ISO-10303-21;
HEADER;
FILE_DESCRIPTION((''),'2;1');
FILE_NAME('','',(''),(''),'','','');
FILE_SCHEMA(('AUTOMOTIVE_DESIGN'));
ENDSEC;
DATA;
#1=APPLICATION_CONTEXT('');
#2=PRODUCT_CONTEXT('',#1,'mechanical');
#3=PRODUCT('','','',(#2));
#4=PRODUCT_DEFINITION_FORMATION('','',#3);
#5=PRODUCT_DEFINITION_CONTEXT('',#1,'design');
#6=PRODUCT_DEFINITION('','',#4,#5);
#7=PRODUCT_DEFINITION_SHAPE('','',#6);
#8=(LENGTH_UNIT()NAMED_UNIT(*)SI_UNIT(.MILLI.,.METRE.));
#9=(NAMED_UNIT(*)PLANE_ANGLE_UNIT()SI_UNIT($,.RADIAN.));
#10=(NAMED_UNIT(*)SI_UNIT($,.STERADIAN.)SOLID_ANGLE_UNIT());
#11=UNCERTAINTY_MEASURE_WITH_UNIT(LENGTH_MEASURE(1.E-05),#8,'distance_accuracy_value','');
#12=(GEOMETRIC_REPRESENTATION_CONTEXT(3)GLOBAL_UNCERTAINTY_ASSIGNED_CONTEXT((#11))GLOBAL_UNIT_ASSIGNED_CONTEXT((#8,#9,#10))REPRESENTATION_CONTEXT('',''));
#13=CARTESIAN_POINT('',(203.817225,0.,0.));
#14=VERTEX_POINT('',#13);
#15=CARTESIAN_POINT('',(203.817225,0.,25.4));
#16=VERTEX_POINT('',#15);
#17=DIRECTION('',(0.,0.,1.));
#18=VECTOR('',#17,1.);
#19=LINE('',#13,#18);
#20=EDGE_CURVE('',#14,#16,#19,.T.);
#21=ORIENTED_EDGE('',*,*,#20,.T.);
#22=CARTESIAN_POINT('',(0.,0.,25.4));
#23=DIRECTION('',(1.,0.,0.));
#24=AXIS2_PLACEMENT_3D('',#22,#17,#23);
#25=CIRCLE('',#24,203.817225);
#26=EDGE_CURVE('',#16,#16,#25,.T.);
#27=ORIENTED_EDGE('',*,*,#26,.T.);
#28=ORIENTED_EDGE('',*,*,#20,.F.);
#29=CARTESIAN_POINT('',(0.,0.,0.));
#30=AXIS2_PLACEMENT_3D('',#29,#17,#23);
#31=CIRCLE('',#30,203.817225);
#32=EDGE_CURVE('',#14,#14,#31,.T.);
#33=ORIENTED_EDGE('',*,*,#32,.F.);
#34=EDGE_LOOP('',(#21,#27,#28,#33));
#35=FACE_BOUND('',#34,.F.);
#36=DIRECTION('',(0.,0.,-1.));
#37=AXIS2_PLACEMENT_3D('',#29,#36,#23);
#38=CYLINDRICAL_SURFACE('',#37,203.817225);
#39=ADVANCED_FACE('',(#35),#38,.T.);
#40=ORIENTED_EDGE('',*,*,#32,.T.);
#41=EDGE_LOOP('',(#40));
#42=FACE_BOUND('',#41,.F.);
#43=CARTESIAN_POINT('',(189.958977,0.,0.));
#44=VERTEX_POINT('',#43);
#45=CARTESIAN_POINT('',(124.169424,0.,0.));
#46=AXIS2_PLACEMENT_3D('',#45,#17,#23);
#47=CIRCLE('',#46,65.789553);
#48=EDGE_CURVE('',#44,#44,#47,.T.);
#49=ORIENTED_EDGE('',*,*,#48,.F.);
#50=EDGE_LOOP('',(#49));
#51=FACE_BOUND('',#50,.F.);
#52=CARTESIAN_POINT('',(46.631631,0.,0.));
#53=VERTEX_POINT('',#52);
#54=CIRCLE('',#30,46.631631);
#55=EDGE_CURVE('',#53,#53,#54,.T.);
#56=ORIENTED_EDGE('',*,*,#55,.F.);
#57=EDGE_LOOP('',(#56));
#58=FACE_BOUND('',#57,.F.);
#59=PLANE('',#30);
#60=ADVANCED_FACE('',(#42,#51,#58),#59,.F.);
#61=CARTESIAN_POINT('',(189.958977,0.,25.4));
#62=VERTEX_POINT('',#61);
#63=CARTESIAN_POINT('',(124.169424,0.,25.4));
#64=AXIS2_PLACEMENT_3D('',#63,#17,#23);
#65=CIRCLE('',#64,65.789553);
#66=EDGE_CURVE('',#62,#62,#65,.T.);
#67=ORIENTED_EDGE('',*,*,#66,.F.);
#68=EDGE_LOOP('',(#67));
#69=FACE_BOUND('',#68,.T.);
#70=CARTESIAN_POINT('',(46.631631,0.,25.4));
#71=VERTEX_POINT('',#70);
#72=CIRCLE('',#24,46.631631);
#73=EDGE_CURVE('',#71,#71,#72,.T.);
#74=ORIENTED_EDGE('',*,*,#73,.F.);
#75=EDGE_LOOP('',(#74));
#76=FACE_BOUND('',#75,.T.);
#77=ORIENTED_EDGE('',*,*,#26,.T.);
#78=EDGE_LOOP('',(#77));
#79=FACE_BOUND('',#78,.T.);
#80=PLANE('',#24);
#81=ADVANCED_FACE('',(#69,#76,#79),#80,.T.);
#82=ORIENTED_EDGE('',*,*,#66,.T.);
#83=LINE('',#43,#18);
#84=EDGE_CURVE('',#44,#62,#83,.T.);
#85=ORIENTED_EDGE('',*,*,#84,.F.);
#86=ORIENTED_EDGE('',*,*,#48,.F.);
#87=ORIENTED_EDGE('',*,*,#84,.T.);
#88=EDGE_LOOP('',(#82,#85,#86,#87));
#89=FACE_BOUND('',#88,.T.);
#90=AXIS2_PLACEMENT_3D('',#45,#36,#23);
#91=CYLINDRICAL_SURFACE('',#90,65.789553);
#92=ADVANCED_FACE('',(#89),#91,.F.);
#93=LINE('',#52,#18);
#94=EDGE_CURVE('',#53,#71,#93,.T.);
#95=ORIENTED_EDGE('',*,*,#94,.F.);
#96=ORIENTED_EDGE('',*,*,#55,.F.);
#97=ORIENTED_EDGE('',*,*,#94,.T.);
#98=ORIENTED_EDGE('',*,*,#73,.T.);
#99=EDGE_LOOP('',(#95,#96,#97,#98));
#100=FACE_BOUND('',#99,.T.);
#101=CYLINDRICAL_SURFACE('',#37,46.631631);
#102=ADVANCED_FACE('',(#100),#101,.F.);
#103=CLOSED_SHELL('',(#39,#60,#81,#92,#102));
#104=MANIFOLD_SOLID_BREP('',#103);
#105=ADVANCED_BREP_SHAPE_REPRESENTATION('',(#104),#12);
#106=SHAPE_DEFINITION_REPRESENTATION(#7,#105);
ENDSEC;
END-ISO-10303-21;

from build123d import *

# Parameters (mm, degrees)
F0_R     = 203.817225
F0_R_2   = 46.631631
F0_R_3   = 65.789553
F1_DEPTH = 25.4


with BuildPart() as f1:
    # F0 (on Top) → F1 (new body)
    with BuildSketch(Plane.XY):
        Circle(F0_R)
        Circle(F0_R_2, mode=Mode.SUBTRACT)
        with Locations((124.169424, 0)):
            Circle(F0_R_3, mode=Mode.SUBTRACT)
    extrude(amount=F1_DEPTH)


solid = f1.part
